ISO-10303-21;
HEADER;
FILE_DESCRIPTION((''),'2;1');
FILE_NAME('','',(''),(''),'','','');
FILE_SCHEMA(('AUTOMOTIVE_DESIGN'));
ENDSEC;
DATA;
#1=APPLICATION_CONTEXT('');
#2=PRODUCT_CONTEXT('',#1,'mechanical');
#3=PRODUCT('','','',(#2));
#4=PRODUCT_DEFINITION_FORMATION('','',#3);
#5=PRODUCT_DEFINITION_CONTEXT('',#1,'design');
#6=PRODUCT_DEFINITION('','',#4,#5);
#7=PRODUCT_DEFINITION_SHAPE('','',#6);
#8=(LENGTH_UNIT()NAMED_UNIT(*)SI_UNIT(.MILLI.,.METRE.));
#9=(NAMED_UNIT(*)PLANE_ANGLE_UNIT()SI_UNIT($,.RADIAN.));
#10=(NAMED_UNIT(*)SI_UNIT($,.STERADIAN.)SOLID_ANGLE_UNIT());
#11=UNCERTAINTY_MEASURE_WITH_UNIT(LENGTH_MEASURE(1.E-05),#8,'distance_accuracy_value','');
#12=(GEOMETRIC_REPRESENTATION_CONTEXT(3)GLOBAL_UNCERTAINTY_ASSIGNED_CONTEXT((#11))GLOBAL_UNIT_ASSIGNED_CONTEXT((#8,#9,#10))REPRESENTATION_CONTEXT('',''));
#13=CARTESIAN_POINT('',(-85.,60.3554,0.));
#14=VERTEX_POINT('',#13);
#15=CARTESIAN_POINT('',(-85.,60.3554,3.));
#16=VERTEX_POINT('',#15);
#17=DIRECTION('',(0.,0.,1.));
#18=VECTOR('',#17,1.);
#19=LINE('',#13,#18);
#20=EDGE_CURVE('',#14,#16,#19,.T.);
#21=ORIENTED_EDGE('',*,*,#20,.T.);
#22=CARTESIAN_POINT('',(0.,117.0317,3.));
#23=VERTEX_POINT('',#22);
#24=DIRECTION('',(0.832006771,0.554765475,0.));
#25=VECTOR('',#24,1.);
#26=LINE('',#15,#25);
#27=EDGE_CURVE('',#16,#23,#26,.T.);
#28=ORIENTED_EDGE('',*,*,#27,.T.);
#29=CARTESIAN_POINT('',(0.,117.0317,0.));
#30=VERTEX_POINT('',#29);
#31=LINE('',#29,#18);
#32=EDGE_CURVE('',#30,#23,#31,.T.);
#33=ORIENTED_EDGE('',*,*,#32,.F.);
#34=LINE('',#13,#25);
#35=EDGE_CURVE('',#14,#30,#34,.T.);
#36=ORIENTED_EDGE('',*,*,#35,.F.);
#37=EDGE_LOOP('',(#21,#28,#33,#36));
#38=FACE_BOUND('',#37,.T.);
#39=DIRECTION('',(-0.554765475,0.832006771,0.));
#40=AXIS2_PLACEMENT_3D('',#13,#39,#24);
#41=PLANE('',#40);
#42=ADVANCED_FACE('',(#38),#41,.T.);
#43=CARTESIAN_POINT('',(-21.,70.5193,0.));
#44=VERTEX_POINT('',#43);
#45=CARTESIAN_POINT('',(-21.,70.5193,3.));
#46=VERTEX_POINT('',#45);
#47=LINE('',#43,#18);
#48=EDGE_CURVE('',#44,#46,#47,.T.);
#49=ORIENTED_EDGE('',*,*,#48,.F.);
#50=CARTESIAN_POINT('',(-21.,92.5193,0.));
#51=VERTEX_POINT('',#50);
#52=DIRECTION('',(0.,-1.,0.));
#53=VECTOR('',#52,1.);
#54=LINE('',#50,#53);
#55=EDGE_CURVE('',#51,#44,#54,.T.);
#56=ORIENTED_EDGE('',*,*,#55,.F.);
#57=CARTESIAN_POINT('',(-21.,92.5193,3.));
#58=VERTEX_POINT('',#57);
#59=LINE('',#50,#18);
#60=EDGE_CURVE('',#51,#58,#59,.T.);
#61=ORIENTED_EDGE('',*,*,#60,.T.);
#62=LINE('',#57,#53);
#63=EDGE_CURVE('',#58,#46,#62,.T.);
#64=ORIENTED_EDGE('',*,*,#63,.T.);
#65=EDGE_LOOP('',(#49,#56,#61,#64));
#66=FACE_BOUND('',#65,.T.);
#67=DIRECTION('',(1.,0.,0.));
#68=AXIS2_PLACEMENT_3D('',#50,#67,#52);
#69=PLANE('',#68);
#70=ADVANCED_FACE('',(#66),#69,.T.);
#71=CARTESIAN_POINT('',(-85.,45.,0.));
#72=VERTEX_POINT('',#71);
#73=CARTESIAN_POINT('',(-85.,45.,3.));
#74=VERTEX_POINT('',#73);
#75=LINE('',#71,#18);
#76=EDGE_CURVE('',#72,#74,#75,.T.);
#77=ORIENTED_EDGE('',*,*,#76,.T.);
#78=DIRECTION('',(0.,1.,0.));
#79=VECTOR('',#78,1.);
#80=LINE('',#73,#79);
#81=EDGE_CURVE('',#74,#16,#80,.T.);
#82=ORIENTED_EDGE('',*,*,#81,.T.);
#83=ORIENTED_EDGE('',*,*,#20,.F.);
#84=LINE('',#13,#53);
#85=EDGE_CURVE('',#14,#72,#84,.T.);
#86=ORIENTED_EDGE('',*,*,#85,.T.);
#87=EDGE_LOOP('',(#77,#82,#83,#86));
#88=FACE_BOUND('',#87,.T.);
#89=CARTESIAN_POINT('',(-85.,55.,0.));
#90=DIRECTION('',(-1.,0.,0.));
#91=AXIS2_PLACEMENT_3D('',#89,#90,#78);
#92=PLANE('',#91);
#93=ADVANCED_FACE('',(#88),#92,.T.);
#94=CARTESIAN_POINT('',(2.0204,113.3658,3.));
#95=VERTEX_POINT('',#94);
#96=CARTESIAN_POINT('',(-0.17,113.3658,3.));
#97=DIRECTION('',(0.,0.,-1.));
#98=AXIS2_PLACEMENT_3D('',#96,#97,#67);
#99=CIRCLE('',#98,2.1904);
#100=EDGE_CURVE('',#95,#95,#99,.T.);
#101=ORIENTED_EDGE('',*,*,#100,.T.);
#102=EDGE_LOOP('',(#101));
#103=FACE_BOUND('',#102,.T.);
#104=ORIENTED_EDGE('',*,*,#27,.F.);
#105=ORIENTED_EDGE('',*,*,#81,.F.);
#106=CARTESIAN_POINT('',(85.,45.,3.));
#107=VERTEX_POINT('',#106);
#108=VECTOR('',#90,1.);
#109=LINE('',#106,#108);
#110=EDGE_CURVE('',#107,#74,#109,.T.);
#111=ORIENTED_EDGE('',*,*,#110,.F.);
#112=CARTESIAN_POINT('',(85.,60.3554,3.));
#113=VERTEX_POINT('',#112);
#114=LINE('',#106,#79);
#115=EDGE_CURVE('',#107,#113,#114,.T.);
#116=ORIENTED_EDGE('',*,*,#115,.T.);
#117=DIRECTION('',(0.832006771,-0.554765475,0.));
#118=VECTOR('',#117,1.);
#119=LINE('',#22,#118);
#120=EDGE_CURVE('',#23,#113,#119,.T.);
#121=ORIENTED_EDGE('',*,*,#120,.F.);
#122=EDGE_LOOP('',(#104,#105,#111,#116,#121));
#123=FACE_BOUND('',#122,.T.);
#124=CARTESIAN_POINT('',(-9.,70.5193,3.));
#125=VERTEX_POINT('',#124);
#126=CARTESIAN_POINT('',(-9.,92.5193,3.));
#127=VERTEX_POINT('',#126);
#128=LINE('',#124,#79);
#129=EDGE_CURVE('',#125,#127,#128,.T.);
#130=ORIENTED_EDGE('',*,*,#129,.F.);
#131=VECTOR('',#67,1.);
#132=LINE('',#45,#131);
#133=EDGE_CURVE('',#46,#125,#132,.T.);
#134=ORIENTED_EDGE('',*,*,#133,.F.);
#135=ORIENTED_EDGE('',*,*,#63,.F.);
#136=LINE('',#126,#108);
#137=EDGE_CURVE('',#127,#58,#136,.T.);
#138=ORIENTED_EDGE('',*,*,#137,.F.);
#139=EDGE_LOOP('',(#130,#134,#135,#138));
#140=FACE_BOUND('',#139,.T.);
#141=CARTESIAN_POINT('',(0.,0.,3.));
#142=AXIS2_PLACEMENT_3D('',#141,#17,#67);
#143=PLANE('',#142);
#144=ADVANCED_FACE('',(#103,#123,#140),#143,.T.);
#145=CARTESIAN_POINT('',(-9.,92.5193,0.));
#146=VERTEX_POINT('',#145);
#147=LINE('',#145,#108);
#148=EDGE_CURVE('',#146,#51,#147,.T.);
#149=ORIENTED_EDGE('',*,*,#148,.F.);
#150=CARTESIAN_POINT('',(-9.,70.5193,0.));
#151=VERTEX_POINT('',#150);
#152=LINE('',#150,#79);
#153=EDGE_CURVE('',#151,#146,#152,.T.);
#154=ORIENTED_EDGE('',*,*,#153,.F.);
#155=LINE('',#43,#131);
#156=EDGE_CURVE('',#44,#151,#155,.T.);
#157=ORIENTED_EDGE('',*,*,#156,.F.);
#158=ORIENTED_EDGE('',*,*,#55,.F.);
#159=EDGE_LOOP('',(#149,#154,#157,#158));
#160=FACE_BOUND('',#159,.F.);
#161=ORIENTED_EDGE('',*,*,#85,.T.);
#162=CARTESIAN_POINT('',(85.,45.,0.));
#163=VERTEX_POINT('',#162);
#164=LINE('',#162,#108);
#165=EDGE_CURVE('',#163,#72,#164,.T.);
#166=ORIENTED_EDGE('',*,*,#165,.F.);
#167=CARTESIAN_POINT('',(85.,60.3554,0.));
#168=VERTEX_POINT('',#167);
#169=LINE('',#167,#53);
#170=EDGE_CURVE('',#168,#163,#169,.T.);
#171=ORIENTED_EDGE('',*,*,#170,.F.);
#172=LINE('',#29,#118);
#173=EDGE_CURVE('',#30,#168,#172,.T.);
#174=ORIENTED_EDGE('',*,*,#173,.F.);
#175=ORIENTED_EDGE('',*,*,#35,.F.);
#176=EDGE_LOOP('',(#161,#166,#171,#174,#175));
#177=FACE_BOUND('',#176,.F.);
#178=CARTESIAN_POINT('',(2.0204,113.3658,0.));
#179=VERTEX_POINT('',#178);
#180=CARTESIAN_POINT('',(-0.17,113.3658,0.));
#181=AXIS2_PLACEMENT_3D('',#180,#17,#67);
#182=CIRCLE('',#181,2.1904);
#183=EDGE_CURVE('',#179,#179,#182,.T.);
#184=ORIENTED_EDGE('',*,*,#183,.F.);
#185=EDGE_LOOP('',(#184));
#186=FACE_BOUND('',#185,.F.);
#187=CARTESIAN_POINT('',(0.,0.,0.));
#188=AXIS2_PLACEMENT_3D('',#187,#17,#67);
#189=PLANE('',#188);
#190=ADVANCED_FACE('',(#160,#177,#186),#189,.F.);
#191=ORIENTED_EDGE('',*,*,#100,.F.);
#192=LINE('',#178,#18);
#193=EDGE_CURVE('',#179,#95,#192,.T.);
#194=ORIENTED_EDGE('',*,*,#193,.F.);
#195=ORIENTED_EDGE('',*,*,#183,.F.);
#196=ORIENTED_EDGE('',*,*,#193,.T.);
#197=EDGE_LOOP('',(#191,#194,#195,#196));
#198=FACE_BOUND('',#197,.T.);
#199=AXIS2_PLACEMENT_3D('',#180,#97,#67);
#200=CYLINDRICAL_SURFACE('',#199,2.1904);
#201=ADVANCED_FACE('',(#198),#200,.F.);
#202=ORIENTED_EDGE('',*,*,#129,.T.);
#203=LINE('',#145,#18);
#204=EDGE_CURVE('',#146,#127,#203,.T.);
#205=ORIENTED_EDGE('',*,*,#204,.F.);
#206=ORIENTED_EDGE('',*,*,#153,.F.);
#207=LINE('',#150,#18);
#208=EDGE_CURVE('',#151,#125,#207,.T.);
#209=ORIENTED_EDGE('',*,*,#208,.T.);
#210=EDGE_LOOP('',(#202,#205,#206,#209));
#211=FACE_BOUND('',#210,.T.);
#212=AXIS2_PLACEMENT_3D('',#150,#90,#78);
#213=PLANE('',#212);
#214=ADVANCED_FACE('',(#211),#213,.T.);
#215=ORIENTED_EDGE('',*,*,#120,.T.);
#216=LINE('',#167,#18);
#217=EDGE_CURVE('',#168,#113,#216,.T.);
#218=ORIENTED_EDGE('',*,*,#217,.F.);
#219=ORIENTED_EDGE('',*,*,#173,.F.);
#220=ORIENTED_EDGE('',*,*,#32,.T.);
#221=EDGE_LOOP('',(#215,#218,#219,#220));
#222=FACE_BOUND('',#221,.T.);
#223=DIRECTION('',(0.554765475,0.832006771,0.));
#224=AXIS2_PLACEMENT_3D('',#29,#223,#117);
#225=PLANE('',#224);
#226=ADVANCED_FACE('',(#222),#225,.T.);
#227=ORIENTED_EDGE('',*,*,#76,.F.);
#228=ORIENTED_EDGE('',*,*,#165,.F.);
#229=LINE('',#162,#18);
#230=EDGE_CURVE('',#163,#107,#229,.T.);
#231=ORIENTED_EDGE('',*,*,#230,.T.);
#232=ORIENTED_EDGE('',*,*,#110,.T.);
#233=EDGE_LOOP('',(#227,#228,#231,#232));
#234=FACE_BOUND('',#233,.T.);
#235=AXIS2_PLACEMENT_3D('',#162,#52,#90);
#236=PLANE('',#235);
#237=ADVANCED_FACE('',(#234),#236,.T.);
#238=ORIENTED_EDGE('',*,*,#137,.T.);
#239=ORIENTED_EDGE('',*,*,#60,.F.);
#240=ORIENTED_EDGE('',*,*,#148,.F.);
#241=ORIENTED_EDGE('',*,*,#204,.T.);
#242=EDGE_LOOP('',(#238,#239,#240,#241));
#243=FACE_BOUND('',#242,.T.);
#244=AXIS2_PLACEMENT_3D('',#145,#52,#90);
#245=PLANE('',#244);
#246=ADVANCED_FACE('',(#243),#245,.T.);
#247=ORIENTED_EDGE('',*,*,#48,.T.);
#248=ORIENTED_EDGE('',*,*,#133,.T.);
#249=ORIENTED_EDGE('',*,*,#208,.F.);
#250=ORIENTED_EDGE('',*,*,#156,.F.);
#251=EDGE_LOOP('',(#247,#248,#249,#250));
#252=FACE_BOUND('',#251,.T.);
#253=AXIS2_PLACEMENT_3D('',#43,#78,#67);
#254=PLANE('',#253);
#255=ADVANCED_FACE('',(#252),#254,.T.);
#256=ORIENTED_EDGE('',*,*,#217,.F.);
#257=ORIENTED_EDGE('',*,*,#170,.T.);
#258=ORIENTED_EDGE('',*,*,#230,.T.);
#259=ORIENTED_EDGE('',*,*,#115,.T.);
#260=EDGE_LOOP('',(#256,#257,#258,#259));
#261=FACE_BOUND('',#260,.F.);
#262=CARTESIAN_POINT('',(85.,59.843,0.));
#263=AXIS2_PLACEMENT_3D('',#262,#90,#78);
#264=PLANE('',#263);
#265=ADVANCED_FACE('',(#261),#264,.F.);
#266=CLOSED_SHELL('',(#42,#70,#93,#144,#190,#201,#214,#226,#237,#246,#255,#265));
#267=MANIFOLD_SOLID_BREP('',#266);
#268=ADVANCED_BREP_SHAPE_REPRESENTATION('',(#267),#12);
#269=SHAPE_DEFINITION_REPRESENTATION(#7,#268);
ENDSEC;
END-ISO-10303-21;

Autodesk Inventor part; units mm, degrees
ref_plane "YZ Plane" through (0, 0, 0) normal (1, 0, 0) x (0, 1, 0)
ref_plane "XZ Plane" through (0, 0, 0) normal (0, 1, 0) x (-1, 0, 0)
ref_plane "XY Plane" through (0, 0, 0) normal (0, 0, 1) x (1, 0, 0)
sketch "Boceto1" plane through (0, 0, 0) normal (0, 0, 1) x (1, 0, 0)
  arc A0 (-1.5, 113.1763) -> (1.5, 113.1763) centre (0, 113.1763) ccw
  line L0 (0, 113.1763) -> (0, 116.1763)
  line L1 (0, 117.735) -> (-0.0114, 117.7429)
  line L2 (0, 111.6763) -> (85, 55)
  line L3 (-2.22, 113.8018) -> (0.2156, 115.4258)
  line L4 (1.8799, 112.9298) -> (0.2156, 115.4258)
  line L5 (-0.5557, 111.3058) -> (1.8799, 112.9298)
  line L6 (1.8799, 112.9298) -> (0.2156, 115.4258)
  line L7 (-2.22, 113.8018) -> (0.2156, 115.4258)
  line L8 (-0.5557, 111.3058) -> (-2.22, 113.8018)
  line L9 (-2.22, 113.8018) -> (1.8799, 112.9298)
  line L10 (-0.5557, 111.3058) -> (0.2156, 115.4258)
  circle A1 centre (-0.17, 113.3658) radius 2.0958
  line L11 (85, 45) -> (85, 59.843)
  line L12 (-85, 45) -> (-85, 59.843)
  circle A2 centre (-0.17, 113.3658) radius 2.1904
  line L13 (-9, 92.5193) -> (-21, 92.5193)
  line L14 (-21, 92.5193) -> (-21, 70.5193)
  line L15 (-21, 70.5193) -> (-9, 70.5193)
  line L16 (-9, 70.5193) -> (-9, 92.5193)
  line L17 (-9, 92.5193) -> (-21, 70.5193)
  line L18 (-21, 92.5193) -> (-9, 70.5193)
  line L19 (85, 45) -> (-85, 45)
  line L20 (85, 49.7321) -> (85, 32.7679)
  line L21 (85, 49.7321) -> (85, 32.7679)
  line L22 (-85, 55) -> (0, 111.6763)
  line L23 (-85, 60.3554) -> (0, 117.0317)
  line L24 (0, 117.0317) -> (85, 60.3554)
  line L25 (85, 59.843) -> (85, 60.3554)
  line L26 (-85, 59.843) -> (-85, 60.3554)
  point P0 (0, 0)
  point P1 (96.4858, 46.8907)
  point P2 (-94.6783, 48.1668)
  point P3 (-94.6783, 45)
  point P4 (96.4858, 45)
  point P5 (-15, 81.5193)
  point P6 (0, 45)
  point P7 (-15, 81.5193)
extrude "Extrusión1" add sketch "Boceto1" along normal blind 3 contours L22 L12 L26 L23 L24 L25 L11 L2 A2 | A2 L2 L11 L19 L12 L22
